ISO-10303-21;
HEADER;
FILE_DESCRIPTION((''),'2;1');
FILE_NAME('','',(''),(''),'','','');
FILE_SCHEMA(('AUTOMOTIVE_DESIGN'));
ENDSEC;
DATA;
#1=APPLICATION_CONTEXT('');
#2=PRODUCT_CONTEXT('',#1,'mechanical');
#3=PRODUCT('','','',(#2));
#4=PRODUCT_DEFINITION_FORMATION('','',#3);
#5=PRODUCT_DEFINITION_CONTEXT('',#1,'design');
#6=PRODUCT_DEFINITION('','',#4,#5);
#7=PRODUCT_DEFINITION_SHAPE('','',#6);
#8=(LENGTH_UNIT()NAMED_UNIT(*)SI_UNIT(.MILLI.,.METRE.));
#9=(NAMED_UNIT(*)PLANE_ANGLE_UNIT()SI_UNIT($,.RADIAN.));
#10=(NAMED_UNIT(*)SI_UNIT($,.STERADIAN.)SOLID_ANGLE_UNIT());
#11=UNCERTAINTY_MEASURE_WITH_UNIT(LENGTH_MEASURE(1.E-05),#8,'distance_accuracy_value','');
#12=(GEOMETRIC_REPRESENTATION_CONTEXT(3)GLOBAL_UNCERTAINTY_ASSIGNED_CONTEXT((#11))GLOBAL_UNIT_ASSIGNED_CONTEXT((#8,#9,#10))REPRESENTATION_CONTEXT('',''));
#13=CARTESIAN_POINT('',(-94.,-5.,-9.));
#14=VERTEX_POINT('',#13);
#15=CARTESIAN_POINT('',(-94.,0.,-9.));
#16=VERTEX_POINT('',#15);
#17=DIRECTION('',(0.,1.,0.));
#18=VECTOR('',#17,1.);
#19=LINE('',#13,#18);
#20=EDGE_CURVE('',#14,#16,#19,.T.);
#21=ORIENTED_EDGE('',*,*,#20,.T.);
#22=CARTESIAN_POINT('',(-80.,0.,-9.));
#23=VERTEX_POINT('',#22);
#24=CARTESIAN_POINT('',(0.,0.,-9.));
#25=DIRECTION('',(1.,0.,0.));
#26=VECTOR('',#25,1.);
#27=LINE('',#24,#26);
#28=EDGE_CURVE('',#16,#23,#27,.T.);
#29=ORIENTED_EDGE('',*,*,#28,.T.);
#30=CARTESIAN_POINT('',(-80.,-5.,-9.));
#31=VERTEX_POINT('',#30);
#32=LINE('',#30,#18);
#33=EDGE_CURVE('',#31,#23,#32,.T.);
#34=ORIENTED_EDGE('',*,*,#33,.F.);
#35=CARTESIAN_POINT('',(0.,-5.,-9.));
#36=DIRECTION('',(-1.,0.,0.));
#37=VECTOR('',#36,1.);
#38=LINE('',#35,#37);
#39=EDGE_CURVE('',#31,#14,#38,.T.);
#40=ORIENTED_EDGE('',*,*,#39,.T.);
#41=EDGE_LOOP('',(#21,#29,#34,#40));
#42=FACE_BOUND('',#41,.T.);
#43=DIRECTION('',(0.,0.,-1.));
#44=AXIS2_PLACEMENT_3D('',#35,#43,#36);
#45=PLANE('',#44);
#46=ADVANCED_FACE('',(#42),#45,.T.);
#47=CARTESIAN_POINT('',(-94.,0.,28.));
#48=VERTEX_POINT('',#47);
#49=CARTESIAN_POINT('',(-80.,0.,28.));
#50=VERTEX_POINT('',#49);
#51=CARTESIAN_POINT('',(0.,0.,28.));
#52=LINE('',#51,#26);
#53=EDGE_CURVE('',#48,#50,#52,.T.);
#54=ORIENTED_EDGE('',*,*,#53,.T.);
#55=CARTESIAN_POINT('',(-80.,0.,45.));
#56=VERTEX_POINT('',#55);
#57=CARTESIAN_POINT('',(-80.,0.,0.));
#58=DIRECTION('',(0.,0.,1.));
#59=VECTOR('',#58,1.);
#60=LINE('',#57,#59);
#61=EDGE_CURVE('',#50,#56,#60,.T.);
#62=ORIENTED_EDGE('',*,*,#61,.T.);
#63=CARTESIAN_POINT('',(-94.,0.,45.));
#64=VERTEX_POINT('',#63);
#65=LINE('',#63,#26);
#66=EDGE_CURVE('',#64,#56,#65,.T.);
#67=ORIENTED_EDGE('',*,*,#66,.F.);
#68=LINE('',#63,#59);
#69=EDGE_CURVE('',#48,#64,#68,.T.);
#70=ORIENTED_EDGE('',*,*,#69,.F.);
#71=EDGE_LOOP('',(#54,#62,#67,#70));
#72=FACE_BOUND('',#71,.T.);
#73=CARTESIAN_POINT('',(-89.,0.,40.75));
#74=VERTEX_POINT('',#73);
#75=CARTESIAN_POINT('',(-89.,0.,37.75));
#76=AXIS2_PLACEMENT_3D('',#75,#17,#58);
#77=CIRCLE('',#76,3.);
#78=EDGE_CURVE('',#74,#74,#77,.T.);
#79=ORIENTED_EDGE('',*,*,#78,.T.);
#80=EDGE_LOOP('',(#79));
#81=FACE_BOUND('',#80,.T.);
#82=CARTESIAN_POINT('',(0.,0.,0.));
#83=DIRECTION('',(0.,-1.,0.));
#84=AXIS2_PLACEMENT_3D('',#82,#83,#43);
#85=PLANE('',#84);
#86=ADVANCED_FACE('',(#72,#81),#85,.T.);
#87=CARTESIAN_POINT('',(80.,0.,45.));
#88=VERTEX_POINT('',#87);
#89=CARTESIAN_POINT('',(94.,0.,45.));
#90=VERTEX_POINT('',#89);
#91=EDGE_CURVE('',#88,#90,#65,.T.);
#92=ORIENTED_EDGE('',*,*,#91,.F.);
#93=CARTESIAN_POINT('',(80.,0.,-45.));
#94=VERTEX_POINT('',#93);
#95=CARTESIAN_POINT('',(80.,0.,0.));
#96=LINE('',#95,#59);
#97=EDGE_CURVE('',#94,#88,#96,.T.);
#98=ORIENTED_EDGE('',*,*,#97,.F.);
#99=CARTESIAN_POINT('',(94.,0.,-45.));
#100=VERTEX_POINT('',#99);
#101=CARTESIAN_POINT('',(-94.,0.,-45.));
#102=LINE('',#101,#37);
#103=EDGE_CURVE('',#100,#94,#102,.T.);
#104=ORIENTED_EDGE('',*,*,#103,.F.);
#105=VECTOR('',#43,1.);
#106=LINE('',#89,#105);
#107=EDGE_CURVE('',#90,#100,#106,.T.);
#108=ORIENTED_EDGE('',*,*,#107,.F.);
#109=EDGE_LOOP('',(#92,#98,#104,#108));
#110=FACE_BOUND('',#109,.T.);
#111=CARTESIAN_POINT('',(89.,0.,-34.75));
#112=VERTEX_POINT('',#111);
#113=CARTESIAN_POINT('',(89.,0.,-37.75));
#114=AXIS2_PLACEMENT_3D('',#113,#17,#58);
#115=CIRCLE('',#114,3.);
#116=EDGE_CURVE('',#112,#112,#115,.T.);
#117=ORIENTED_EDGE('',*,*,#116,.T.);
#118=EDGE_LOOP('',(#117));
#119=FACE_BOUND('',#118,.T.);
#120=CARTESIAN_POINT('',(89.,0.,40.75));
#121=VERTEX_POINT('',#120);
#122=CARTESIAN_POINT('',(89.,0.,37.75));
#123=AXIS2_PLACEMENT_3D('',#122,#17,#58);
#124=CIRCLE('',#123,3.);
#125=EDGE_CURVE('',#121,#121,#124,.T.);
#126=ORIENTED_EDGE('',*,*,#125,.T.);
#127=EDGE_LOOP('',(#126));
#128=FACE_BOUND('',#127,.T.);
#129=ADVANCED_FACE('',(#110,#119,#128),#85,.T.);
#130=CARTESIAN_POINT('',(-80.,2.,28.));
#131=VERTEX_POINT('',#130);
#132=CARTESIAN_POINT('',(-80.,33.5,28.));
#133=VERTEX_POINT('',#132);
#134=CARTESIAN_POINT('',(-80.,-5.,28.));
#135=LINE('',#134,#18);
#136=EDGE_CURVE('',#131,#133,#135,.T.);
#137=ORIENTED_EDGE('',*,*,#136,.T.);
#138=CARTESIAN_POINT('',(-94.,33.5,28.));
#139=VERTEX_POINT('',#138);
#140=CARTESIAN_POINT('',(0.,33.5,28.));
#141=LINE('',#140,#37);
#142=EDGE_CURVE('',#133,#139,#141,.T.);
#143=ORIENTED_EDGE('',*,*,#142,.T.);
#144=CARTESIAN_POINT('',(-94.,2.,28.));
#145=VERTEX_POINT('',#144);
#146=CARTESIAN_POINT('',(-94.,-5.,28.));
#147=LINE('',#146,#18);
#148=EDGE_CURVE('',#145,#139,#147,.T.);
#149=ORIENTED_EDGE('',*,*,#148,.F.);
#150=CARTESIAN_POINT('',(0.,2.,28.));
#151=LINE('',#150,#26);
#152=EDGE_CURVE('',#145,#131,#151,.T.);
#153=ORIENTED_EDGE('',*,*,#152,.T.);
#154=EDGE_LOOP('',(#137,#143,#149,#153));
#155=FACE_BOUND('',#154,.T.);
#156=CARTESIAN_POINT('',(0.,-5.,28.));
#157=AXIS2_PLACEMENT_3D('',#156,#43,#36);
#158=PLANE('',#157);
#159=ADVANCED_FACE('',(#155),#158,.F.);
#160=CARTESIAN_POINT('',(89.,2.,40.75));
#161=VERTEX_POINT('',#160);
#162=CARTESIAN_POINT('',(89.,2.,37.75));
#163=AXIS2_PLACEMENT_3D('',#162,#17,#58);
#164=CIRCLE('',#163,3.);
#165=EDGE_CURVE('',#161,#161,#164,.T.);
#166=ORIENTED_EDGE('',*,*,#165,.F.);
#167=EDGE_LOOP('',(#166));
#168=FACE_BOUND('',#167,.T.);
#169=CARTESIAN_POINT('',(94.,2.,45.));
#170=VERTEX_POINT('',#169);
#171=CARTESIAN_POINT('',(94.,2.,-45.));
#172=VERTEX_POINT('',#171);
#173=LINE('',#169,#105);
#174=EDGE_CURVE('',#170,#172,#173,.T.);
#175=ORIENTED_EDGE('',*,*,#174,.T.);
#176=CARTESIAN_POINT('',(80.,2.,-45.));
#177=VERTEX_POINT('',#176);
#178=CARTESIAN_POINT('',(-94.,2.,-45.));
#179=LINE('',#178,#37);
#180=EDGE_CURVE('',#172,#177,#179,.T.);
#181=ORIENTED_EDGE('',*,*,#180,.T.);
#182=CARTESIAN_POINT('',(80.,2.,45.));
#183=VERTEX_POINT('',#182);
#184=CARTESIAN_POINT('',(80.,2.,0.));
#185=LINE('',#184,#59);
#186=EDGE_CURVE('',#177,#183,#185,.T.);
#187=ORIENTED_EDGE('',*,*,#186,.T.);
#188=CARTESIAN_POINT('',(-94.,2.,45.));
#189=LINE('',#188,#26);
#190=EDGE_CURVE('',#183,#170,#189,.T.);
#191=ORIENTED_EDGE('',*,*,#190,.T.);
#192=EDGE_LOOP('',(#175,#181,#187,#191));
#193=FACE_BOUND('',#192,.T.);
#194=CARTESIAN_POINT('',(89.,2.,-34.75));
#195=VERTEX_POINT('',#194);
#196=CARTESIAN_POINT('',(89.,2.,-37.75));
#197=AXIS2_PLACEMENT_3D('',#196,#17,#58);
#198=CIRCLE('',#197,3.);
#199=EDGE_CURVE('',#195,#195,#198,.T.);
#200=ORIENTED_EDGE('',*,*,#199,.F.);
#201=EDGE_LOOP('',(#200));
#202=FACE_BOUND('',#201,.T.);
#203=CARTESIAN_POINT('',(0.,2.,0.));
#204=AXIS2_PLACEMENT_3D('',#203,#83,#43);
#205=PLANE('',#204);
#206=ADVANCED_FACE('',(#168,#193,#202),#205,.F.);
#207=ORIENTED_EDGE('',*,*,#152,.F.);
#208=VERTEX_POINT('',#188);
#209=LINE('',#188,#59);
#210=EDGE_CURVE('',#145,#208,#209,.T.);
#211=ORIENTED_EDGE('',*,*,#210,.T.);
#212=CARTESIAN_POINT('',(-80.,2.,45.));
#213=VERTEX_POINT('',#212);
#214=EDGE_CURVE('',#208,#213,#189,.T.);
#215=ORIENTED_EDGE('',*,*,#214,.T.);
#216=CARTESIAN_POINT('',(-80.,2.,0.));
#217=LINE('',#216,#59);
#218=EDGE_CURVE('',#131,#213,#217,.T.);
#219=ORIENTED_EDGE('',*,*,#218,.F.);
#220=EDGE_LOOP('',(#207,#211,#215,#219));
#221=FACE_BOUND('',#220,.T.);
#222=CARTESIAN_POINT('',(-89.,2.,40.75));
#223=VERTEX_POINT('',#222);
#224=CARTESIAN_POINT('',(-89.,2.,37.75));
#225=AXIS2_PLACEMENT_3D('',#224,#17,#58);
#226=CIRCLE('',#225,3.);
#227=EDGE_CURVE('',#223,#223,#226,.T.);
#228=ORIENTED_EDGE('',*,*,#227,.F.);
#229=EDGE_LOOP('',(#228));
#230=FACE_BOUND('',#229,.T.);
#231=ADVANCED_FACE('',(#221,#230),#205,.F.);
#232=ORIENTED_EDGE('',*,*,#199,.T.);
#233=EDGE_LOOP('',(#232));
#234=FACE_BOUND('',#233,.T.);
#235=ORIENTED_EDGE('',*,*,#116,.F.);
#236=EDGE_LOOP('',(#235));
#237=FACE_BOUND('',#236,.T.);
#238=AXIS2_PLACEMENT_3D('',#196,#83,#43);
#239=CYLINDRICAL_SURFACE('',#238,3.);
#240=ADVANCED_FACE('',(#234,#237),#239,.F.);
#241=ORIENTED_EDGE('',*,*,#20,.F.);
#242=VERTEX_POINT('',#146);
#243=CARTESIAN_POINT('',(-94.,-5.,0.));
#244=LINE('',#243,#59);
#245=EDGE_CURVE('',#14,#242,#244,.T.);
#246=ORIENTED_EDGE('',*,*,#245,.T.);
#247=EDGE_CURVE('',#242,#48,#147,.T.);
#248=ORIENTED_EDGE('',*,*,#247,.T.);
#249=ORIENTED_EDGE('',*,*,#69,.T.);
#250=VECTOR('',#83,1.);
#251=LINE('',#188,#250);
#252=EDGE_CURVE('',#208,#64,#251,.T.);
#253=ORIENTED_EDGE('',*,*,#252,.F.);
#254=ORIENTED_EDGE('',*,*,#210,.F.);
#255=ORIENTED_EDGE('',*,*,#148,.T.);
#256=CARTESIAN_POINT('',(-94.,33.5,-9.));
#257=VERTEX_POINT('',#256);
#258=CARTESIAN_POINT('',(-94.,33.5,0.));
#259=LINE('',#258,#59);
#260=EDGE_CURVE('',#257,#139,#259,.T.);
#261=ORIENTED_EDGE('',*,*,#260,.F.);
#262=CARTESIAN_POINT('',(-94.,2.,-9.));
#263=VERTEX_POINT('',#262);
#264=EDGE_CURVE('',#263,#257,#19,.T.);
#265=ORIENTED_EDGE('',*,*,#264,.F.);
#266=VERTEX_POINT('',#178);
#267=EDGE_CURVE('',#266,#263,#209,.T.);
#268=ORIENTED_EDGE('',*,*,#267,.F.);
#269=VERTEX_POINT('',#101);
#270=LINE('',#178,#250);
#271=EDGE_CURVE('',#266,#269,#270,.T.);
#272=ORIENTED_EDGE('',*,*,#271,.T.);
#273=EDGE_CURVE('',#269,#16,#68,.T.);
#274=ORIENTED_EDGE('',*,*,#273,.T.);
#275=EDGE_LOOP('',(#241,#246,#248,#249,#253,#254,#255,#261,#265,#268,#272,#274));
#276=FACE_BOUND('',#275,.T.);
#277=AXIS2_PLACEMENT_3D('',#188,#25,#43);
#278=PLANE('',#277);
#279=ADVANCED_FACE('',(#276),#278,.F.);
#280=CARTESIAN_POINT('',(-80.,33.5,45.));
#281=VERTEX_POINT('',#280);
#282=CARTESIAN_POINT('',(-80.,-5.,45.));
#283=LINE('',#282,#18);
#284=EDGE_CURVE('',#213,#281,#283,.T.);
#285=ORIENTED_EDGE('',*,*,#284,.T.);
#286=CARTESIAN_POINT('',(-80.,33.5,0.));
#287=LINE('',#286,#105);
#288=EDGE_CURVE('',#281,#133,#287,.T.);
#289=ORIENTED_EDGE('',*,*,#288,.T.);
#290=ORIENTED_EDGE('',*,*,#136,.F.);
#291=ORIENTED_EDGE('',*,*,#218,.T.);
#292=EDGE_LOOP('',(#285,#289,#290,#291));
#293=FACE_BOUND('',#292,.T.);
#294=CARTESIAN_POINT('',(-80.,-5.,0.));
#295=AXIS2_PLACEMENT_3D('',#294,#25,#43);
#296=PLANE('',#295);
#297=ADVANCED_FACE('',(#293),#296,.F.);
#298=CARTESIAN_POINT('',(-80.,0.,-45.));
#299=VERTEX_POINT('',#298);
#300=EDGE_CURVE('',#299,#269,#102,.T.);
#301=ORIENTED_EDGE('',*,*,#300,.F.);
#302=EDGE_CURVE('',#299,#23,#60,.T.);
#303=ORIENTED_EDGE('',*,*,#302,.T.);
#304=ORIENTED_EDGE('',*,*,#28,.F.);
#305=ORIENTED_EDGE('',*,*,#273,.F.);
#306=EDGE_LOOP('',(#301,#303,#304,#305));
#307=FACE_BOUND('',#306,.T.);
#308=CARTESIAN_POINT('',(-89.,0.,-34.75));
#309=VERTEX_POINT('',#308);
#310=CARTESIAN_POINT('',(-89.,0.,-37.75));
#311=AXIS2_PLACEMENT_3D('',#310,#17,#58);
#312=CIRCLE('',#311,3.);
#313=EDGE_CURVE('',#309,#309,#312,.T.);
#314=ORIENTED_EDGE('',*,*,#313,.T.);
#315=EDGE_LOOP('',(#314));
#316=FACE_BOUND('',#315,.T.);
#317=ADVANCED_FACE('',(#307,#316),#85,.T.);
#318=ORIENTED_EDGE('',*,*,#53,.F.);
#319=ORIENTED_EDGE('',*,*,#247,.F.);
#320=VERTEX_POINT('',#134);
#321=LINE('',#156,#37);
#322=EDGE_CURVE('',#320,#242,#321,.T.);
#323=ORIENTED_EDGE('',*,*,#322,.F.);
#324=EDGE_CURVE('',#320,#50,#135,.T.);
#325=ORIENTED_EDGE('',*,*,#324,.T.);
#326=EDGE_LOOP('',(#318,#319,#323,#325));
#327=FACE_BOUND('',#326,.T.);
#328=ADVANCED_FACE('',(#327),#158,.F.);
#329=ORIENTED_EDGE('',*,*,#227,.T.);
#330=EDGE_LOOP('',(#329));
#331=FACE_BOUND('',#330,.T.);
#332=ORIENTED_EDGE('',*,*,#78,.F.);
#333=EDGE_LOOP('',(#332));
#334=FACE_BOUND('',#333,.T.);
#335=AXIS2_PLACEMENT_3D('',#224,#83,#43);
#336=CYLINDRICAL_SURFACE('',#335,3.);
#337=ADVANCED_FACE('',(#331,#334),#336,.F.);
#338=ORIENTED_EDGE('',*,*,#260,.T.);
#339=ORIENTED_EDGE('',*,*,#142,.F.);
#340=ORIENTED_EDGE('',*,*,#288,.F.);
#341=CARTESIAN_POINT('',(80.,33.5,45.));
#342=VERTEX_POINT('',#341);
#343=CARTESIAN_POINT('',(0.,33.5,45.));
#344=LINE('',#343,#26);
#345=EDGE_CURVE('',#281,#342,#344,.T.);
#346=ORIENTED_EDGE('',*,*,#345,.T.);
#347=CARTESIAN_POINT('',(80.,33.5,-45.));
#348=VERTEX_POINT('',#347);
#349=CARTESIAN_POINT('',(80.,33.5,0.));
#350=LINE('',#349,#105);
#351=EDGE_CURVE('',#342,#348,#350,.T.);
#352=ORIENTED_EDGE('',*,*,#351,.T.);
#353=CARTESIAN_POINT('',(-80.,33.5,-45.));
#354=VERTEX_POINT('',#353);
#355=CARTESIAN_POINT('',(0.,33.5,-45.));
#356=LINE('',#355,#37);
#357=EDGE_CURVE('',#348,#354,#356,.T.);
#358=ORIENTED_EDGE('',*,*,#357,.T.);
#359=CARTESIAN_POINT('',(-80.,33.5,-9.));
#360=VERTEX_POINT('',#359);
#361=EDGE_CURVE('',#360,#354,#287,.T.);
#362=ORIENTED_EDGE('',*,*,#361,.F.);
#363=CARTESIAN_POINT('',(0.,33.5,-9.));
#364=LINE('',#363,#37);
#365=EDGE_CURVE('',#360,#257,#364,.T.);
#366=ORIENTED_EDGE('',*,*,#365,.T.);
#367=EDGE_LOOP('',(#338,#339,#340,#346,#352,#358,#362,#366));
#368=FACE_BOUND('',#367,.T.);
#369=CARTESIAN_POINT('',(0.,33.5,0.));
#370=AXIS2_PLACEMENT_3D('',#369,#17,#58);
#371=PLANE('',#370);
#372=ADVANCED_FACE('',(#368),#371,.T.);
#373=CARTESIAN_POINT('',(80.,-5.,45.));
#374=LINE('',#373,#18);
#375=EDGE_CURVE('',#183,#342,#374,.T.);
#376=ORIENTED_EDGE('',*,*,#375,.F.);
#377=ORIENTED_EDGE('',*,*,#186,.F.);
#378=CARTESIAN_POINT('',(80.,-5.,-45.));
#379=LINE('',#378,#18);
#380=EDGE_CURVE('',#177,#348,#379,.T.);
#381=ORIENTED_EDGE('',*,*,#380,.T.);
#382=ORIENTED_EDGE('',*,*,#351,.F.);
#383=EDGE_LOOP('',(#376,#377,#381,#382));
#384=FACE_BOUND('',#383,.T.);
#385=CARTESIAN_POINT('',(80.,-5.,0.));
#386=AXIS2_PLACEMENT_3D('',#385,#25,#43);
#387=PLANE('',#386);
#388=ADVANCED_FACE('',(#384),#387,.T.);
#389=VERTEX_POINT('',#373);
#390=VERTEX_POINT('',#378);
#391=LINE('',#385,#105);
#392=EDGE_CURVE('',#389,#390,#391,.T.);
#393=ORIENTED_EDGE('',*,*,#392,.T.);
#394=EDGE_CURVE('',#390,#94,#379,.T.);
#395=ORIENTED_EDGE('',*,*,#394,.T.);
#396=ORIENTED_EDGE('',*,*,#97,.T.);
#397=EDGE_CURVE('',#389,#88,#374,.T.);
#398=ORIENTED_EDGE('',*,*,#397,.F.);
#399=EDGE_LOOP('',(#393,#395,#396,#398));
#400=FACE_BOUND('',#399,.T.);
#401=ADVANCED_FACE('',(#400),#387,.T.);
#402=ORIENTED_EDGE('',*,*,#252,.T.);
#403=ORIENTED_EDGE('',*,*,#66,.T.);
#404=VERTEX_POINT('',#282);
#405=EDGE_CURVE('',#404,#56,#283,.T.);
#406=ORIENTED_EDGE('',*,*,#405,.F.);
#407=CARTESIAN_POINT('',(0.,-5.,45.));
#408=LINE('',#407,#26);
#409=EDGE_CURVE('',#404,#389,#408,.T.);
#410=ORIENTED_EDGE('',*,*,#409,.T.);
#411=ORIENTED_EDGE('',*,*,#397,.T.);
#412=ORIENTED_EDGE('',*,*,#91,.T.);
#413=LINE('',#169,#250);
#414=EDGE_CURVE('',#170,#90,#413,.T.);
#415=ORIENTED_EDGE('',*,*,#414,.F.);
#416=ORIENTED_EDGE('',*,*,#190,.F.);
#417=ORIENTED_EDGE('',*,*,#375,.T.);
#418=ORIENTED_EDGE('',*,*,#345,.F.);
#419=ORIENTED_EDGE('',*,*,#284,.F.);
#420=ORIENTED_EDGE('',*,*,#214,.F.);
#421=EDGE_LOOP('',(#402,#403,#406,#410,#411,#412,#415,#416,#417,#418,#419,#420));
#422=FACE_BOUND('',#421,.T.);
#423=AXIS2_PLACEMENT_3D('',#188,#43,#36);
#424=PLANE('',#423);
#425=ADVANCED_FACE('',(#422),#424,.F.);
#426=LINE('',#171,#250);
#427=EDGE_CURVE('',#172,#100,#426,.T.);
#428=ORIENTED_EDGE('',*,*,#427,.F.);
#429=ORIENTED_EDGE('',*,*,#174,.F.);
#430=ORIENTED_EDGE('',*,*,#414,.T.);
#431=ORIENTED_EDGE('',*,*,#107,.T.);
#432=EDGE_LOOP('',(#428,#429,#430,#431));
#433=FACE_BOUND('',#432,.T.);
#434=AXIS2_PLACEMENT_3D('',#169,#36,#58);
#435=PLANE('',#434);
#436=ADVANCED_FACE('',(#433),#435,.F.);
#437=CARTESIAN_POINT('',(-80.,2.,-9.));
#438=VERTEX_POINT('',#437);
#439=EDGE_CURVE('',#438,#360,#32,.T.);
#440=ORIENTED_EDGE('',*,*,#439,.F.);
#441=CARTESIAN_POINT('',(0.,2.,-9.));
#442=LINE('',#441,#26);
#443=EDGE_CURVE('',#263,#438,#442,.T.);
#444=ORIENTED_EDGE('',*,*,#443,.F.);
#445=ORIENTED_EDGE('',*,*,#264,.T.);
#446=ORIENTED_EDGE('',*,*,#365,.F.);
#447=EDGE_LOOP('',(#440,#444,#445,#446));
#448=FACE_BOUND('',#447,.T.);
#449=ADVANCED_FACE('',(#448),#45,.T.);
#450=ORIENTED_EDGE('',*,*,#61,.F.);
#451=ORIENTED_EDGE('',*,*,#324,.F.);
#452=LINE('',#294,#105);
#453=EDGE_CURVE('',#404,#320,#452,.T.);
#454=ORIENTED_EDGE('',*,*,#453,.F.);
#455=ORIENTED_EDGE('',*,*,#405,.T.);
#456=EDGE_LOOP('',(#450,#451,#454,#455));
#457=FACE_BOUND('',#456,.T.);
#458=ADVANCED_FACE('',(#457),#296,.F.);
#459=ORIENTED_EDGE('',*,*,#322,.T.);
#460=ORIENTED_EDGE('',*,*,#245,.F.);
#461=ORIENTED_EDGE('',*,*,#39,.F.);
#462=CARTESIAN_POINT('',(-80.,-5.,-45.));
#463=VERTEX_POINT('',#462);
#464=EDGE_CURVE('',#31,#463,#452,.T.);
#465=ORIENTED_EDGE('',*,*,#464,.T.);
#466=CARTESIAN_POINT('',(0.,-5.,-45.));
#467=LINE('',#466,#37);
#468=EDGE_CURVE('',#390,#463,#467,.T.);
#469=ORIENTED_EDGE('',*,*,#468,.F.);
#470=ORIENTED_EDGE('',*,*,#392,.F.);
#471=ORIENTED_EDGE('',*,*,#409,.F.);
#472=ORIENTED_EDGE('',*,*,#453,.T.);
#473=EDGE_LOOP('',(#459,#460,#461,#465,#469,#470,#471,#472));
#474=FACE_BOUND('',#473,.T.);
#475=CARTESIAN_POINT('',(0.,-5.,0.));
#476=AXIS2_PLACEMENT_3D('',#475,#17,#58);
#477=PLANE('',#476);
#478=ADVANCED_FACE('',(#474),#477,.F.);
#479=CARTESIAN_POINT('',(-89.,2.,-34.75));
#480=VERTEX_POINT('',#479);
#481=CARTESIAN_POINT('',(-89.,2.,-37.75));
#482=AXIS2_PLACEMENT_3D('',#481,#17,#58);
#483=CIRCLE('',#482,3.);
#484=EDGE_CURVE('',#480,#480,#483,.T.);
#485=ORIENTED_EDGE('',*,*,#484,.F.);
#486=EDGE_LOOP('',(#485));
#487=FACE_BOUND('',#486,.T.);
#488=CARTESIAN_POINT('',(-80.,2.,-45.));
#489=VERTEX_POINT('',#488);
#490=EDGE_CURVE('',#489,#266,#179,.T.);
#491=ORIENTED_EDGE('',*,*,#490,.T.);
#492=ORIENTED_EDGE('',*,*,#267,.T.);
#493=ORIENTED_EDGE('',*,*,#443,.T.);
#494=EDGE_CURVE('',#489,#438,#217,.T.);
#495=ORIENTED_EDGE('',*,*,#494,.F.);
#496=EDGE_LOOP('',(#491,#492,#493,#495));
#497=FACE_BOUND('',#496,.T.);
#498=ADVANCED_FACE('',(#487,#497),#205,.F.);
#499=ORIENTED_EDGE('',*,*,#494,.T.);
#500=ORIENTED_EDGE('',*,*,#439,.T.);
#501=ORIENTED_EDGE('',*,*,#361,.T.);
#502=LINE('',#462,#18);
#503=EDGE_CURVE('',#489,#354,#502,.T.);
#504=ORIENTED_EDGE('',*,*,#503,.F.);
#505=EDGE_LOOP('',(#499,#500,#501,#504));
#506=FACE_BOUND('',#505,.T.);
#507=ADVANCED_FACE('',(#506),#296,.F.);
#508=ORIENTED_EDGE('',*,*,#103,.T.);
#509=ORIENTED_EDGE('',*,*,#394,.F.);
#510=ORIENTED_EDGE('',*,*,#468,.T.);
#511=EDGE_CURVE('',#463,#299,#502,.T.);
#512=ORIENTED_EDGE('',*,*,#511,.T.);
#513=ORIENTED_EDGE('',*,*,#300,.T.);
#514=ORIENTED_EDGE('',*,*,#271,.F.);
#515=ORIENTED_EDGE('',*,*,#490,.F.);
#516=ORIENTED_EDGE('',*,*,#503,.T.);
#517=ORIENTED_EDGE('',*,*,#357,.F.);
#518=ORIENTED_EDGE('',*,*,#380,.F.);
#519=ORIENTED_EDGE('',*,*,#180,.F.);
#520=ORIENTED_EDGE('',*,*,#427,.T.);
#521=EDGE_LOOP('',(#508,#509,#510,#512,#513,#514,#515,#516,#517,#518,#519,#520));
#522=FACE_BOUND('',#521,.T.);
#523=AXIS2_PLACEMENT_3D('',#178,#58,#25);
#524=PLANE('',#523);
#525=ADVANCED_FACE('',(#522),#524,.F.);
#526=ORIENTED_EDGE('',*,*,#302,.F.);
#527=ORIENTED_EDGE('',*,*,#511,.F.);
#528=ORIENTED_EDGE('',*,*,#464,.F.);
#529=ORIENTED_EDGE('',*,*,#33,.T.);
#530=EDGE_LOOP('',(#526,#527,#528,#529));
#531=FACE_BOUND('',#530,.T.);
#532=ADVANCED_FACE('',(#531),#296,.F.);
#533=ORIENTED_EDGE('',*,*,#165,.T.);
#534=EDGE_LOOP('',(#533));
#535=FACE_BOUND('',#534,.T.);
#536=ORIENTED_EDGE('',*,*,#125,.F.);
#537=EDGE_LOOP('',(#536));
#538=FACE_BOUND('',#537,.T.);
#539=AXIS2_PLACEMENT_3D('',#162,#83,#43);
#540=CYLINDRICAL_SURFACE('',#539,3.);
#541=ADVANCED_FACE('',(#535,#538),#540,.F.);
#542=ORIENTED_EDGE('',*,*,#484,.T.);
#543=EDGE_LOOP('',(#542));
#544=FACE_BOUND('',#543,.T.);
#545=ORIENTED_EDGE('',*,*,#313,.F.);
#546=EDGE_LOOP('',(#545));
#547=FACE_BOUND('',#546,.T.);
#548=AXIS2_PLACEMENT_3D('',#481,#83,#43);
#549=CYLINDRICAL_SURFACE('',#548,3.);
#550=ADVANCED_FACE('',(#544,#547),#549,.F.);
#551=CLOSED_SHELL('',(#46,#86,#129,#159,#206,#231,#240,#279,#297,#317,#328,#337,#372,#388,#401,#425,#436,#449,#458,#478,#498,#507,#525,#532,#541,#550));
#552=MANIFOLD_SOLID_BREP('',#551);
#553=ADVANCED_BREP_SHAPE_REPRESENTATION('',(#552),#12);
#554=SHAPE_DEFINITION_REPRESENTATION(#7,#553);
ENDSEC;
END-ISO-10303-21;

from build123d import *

# Parameters (mm, degrees)
SKETCH1_W                = 188
SKETCH1_H                = 90
SKETCH1_R                = 3
BOSS_EXTRUDE1_DEPTH      = 2
BOSS_EXTRUDE2_DEPTH      = 31.5
BOSS_EXTRUDE2_DEPTH_BACK = 7
SKETCH2_W                = 14
SKETCH2_H                = 37


with BuildPart() as part:
    # Sketch1 → Boss-Extrude1 (new body)
    with BuildSketch(Plane(origin=(0, 0, 0), x_dir=(1, 0, 0), z_dir=(0, 1, 0))):
        Rectangle(SKETCH1_W, SKETCH1_H)
        with Locations(Location((-89, 37.75, 0), (0, 0, 270))):
            Circle(SKETCH1_R, mode=Mode.SUBTRACT)
        with Locations(Location((89, 37.75, 0), (0, 0, 270))):
            Circle(SKETCH1_R, mode=Mode.SUBTRACT)
        with Locations(Location((89, -37.75, 0), (0, 0, 270))):
            Circle(SKETCH1_R, mode=Mode.SUBTRACT)
        with Locations(Location((-89, -37.75, 0), (0, 0, 270))):
            Circle(SKETCH1_R, mode=Mode.SUBTRACT)
    extrude(amount=BOSS_EXTRUDE1_DEPTH)

    # Sketch2 → Boss-Extrude2 (add, two sides: drawn at the far end of the back side and taken through both)
    with BuildSketch(Plane(origin=(0, 2, 0), x_dir=(1, 0, 0), z_dir=(0, 1, 0)).offset(-BOSS_EXTRUDE2_DEPTH_BACK)):
        Polygon((-80, -28), (-80, -45), (80, -45), (80, 45), (-80, 45), (-80, 9), align=None)
        with Locations((-87, -9.5)):
            Rectangle(SKETCH2_W, SKETCH2_H)
    extrude(amount=BOSS_EXTRUDE2_DEPTH + BOSS_EXTRUDE2_DEPTH_BACK)


solid = part.part
